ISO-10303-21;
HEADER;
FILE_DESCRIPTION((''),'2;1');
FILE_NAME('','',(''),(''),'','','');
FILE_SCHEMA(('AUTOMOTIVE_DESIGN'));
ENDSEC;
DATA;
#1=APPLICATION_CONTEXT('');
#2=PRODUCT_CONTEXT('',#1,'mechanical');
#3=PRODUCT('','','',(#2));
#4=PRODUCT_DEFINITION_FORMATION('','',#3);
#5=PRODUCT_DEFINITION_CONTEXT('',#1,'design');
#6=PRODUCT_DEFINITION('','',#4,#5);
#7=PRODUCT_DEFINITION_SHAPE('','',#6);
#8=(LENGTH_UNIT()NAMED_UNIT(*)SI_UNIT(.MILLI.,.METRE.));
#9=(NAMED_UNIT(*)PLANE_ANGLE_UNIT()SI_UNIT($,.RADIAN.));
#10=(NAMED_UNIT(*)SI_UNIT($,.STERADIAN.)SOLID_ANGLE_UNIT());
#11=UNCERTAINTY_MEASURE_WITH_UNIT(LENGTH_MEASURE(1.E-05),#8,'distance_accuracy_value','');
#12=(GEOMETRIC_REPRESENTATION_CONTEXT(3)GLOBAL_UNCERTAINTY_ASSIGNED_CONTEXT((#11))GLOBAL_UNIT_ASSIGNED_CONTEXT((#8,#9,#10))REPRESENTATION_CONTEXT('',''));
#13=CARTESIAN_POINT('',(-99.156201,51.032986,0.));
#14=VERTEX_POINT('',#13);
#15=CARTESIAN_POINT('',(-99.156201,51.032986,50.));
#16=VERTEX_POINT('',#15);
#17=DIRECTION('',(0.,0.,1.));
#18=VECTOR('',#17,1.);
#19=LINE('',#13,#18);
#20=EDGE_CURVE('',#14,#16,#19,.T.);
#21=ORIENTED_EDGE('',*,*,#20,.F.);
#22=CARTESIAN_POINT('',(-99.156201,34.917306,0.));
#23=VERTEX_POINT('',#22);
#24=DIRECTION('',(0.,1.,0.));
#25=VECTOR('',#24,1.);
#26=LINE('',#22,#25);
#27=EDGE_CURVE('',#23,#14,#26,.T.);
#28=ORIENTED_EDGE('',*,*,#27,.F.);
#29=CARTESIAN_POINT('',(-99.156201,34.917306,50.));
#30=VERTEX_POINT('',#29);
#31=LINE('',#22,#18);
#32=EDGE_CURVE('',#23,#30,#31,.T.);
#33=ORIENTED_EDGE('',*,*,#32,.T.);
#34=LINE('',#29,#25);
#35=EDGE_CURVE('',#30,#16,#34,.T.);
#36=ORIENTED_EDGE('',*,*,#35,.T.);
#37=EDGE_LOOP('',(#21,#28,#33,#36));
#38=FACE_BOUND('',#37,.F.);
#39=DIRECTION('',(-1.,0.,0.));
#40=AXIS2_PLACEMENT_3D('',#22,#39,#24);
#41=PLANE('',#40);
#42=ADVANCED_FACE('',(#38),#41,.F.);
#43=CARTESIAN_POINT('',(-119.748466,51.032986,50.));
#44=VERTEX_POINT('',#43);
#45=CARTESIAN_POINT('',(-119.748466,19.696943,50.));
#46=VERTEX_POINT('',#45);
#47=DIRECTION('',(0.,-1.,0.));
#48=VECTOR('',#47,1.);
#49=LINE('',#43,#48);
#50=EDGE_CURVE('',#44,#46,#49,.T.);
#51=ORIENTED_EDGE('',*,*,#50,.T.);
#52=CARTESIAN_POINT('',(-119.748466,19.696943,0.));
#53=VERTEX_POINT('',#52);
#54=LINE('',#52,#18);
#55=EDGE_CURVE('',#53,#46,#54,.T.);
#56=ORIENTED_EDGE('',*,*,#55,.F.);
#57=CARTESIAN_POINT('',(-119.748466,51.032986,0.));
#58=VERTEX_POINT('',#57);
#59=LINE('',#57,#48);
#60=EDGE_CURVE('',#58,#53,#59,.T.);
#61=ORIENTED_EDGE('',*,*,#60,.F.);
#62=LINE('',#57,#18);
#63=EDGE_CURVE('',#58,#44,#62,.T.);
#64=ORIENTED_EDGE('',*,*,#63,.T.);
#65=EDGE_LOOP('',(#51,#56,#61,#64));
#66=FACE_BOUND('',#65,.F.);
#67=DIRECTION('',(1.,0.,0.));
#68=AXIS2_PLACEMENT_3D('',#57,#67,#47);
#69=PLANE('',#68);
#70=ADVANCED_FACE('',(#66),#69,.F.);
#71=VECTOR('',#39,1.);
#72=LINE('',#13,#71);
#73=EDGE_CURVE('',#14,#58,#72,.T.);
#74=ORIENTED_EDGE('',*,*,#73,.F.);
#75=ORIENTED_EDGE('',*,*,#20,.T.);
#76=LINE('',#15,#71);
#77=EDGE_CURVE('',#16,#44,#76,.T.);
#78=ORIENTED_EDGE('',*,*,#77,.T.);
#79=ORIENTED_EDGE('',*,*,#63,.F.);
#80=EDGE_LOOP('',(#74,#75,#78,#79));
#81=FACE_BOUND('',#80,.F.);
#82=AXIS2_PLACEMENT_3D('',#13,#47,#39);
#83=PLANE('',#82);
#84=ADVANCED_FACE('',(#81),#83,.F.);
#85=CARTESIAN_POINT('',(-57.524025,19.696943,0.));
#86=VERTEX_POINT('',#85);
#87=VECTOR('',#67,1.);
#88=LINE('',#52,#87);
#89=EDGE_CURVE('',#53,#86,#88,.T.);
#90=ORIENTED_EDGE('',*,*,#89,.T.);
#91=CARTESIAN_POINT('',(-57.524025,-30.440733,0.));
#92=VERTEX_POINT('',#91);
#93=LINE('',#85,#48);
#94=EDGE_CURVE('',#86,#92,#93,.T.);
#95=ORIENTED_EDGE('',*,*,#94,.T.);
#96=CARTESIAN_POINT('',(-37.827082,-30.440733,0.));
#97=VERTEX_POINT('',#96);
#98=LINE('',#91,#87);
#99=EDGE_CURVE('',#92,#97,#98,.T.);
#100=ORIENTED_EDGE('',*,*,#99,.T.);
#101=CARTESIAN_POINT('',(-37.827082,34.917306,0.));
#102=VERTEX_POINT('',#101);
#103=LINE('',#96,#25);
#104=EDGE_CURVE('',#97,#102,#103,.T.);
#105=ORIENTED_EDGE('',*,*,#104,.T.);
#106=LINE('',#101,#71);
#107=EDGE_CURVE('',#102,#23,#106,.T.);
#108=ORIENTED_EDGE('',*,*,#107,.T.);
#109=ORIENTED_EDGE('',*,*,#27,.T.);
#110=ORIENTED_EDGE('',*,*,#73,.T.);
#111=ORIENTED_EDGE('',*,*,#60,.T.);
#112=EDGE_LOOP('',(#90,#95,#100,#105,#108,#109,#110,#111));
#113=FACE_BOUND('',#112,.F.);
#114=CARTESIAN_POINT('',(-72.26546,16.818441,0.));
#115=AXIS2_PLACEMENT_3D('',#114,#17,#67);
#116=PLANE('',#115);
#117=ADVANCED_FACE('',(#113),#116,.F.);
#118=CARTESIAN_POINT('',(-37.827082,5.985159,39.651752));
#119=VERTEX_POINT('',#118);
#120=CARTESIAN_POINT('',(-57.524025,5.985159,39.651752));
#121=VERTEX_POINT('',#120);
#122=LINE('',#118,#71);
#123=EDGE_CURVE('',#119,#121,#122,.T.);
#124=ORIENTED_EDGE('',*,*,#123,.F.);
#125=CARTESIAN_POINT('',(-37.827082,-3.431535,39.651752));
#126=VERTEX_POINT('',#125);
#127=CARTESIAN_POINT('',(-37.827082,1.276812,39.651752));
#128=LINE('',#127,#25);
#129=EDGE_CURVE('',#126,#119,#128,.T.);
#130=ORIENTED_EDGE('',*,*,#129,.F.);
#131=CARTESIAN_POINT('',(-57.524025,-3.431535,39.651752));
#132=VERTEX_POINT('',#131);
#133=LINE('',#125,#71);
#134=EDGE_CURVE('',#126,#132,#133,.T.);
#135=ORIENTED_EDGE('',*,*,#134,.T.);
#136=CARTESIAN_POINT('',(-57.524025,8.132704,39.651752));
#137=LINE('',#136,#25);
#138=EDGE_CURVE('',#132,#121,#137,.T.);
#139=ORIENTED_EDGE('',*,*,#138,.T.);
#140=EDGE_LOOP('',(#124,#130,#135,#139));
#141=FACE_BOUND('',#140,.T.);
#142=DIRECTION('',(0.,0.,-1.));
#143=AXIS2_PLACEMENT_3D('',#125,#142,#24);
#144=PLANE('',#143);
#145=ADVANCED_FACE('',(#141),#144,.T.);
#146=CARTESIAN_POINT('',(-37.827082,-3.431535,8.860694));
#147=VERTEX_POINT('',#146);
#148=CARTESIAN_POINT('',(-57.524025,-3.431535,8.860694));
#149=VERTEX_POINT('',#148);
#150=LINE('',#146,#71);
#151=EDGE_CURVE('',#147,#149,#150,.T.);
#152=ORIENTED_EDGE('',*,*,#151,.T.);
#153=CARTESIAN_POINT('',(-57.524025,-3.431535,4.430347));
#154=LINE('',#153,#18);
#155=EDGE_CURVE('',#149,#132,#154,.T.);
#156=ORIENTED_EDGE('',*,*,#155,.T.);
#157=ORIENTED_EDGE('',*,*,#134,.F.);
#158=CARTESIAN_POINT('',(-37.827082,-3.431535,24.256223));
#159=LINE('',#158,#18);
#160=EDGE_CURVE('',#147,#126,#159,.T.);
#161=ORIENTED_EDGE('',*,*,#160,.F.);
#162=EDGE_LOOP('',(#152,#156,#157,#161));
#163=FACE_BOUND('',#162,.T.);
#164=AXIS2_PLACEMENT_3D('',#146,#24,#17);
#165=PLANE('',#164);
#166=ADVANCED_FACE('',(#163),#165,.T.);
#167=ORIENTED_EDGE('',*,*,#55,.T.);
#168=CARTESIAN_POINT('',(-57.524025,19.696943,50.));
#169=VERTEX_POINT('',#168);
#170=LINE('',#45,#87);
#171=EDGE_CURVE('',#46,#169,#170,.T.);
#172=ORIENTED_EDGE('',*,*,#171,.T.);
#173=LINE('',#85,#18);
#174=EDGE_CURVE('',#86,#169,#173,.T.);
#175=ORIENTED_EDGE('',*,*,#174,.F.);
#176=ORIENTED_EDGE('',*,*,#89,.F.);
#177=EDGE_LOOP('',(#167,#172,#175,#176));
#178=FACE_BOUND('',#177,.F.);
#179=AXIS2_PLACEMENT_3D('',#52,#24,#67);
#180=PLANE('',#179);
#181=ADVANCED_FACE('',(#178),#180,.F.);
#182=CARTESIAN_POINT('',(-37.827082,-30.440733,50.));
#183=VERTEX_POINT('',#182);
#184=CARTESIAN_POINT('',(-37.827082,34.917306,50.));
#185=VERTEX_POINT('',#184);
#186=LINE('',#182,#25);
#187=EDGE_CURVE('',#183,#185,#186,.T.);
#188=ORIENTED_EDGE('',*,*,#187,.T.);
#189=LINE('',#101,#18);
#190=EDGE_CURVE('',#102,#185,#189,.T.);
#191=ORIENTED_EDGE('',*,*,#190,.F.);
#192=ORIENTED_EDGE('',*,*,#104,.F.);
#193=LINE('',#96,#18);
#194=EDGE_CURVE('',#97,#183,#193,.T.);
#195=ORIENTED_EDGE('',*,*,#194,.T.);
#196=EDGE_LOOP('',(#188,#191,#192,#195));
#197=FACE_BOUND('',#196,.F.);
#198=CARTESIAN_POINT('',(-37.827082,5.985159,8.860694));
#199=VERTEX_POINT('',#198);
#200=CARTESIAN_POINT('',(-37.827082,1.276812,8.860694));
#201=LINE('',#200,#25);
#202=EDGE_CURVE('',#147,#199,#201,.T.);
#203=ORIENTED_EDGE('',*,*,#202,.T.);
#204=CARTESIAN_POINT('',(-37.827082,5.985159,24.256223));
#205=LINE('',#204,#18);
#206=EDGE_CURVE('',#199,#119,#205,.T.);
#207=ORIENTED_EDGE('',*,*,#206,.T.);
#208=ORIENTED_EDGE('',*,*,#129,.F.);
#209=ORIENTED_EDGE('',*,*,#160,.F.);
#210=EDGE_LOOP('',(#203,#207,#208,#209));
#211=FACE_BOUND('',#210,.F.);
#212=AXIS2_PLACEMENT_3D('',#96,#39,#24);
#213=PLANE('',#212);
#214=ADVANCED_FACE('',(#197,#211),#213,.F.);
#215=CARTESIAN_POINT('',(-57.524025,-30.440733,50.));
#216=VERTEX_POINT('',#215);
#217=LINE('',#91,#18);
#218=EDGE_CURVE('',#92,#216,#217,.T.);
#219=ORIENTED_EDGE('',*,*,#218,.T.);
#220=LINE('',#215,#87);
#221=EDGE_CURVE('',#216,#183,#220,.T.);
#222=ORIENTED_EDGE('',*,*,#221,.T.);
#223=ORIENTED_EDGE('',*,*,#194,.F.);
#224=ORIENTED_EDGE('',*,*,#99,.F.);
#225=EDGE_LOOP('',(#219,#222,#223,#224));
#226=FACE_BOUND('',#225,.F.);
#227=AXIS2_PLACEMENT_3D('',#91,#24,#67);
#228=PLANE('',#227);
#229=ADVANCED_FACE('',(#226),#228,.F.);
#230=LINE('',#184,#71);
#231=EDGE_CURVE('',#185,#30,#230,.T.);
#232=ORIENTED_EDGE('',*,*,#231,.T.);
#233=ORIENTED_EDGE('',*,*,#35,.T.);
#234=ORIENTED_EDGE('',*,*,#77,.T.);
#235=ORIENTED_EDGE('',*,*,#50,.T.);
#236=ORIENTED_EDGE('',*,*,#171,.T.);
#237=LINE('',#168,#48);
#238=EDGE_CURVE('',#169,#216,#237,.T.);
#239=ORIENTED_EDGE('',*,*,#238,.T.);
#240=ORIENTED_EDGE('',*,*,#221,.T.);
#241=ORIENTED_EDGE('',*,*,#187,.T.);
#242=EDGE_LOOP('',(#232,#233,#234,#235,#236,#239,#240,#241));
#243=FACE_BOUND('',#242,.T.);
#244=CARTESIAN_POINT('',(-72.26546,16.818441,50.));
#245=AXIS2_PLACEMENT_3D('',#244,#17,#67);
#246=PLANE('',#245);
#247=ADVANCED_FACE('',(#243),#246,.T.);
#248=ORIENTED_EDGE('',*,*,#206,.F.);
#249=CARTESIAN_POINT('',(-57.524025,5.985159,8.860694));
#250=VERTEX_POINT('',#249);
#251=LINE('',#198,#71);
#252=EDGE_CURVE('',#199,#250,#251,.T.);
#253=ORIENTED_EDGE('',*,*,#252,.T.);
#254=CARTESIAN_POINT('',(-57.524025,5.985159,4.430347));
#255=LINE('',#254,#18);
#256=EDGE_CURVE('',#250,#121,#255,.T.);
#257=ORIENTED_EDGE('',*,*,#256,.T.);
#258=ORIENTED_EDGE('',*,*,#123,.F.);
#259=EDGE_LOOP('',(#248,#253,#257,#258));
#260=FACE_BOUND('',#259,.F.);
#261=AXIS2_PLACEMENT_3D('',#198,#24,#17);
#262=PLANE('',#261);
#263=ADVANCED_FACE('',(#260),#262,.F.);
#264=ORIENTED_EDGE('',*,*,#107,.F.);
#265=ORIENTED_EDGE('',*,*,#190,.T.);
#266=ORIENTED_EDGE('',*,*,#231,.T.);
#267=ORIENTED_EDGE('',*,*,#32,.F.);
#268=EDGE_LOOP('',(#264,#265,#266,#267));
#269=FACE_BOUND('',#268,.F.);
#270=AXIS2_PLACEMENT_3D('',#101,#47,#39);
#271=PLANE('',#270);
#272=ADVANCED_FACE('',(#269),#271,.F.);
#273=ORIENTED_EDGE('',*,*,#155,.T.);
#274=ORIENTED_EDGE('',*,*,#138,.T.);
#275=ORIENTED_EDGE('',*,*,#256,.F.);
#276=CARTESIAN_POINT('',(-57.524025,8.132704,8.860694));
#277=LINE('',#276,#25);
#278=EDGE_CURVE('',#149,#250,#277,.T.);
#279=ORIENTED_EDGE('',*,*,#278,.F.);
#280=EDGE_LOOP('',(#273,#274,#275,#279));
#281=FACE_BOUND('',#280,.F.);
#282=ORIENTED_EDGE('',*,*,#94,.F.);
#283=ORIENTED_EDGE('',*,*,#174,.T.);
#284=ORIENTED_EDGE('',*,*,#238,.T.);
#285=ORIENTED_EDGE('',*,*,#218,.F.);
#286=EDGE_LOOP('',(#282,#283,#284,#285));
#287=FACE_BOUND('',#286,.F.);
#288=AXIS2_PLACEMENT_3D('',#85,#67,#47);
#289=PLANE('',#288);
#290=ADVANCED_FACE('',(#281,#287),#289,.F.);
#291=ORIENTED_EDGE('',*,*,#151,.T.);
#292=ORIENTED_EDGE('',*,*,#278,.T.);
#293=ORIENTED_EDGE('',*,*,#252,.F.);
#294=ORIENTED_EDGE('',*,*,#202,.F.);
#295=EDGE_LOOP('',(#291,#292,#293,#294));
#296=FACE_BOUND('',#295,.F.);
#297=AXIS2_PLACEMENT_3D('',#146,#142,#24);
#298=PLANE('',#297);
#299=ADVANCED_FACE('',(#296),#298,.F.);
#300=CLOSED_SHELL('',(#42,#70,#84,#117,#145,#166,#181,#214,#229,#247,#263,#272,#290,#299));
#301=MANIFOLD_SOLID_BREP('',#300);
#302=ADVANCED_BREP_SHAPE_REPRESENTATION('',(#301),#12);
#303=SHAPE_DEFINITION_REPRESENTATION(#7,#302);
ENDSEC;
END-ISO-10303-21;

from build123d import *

# Parameters (mm, degrees)
F1_DEPTH = 50
F2_W     = 9.416695
F2_H     = 30.791057
F3_DEPTH = 25


with BuildPart() as f1:
    # F0 (on Top) → F1 (new body)
    with BuildSketch(Plane.XY):
        Polygon((-99.156201, 51.032986), (-119.748466, 51.032986), (-119.748466, 19.696943), (-57.524025, 19.696943), (-57.524025, -30.440733), (-37.827082, -30.440733), (-37.827082, 34.917306), (-99.156201, 34.917306), align=None)
    extrude(amount=F1_DEPTH)

    # F2 (on face) → F3 (cut)
    with BuildSketch(Plane.YZ.offset(-37.827082)):
        with Locations((1.276812, 24.256223)):
            Rectangle(F2_W, F2_H)
    extrude(amount=-F3_DEPTH, mode=Mode.SUBTRACT)


solid = f1.part
